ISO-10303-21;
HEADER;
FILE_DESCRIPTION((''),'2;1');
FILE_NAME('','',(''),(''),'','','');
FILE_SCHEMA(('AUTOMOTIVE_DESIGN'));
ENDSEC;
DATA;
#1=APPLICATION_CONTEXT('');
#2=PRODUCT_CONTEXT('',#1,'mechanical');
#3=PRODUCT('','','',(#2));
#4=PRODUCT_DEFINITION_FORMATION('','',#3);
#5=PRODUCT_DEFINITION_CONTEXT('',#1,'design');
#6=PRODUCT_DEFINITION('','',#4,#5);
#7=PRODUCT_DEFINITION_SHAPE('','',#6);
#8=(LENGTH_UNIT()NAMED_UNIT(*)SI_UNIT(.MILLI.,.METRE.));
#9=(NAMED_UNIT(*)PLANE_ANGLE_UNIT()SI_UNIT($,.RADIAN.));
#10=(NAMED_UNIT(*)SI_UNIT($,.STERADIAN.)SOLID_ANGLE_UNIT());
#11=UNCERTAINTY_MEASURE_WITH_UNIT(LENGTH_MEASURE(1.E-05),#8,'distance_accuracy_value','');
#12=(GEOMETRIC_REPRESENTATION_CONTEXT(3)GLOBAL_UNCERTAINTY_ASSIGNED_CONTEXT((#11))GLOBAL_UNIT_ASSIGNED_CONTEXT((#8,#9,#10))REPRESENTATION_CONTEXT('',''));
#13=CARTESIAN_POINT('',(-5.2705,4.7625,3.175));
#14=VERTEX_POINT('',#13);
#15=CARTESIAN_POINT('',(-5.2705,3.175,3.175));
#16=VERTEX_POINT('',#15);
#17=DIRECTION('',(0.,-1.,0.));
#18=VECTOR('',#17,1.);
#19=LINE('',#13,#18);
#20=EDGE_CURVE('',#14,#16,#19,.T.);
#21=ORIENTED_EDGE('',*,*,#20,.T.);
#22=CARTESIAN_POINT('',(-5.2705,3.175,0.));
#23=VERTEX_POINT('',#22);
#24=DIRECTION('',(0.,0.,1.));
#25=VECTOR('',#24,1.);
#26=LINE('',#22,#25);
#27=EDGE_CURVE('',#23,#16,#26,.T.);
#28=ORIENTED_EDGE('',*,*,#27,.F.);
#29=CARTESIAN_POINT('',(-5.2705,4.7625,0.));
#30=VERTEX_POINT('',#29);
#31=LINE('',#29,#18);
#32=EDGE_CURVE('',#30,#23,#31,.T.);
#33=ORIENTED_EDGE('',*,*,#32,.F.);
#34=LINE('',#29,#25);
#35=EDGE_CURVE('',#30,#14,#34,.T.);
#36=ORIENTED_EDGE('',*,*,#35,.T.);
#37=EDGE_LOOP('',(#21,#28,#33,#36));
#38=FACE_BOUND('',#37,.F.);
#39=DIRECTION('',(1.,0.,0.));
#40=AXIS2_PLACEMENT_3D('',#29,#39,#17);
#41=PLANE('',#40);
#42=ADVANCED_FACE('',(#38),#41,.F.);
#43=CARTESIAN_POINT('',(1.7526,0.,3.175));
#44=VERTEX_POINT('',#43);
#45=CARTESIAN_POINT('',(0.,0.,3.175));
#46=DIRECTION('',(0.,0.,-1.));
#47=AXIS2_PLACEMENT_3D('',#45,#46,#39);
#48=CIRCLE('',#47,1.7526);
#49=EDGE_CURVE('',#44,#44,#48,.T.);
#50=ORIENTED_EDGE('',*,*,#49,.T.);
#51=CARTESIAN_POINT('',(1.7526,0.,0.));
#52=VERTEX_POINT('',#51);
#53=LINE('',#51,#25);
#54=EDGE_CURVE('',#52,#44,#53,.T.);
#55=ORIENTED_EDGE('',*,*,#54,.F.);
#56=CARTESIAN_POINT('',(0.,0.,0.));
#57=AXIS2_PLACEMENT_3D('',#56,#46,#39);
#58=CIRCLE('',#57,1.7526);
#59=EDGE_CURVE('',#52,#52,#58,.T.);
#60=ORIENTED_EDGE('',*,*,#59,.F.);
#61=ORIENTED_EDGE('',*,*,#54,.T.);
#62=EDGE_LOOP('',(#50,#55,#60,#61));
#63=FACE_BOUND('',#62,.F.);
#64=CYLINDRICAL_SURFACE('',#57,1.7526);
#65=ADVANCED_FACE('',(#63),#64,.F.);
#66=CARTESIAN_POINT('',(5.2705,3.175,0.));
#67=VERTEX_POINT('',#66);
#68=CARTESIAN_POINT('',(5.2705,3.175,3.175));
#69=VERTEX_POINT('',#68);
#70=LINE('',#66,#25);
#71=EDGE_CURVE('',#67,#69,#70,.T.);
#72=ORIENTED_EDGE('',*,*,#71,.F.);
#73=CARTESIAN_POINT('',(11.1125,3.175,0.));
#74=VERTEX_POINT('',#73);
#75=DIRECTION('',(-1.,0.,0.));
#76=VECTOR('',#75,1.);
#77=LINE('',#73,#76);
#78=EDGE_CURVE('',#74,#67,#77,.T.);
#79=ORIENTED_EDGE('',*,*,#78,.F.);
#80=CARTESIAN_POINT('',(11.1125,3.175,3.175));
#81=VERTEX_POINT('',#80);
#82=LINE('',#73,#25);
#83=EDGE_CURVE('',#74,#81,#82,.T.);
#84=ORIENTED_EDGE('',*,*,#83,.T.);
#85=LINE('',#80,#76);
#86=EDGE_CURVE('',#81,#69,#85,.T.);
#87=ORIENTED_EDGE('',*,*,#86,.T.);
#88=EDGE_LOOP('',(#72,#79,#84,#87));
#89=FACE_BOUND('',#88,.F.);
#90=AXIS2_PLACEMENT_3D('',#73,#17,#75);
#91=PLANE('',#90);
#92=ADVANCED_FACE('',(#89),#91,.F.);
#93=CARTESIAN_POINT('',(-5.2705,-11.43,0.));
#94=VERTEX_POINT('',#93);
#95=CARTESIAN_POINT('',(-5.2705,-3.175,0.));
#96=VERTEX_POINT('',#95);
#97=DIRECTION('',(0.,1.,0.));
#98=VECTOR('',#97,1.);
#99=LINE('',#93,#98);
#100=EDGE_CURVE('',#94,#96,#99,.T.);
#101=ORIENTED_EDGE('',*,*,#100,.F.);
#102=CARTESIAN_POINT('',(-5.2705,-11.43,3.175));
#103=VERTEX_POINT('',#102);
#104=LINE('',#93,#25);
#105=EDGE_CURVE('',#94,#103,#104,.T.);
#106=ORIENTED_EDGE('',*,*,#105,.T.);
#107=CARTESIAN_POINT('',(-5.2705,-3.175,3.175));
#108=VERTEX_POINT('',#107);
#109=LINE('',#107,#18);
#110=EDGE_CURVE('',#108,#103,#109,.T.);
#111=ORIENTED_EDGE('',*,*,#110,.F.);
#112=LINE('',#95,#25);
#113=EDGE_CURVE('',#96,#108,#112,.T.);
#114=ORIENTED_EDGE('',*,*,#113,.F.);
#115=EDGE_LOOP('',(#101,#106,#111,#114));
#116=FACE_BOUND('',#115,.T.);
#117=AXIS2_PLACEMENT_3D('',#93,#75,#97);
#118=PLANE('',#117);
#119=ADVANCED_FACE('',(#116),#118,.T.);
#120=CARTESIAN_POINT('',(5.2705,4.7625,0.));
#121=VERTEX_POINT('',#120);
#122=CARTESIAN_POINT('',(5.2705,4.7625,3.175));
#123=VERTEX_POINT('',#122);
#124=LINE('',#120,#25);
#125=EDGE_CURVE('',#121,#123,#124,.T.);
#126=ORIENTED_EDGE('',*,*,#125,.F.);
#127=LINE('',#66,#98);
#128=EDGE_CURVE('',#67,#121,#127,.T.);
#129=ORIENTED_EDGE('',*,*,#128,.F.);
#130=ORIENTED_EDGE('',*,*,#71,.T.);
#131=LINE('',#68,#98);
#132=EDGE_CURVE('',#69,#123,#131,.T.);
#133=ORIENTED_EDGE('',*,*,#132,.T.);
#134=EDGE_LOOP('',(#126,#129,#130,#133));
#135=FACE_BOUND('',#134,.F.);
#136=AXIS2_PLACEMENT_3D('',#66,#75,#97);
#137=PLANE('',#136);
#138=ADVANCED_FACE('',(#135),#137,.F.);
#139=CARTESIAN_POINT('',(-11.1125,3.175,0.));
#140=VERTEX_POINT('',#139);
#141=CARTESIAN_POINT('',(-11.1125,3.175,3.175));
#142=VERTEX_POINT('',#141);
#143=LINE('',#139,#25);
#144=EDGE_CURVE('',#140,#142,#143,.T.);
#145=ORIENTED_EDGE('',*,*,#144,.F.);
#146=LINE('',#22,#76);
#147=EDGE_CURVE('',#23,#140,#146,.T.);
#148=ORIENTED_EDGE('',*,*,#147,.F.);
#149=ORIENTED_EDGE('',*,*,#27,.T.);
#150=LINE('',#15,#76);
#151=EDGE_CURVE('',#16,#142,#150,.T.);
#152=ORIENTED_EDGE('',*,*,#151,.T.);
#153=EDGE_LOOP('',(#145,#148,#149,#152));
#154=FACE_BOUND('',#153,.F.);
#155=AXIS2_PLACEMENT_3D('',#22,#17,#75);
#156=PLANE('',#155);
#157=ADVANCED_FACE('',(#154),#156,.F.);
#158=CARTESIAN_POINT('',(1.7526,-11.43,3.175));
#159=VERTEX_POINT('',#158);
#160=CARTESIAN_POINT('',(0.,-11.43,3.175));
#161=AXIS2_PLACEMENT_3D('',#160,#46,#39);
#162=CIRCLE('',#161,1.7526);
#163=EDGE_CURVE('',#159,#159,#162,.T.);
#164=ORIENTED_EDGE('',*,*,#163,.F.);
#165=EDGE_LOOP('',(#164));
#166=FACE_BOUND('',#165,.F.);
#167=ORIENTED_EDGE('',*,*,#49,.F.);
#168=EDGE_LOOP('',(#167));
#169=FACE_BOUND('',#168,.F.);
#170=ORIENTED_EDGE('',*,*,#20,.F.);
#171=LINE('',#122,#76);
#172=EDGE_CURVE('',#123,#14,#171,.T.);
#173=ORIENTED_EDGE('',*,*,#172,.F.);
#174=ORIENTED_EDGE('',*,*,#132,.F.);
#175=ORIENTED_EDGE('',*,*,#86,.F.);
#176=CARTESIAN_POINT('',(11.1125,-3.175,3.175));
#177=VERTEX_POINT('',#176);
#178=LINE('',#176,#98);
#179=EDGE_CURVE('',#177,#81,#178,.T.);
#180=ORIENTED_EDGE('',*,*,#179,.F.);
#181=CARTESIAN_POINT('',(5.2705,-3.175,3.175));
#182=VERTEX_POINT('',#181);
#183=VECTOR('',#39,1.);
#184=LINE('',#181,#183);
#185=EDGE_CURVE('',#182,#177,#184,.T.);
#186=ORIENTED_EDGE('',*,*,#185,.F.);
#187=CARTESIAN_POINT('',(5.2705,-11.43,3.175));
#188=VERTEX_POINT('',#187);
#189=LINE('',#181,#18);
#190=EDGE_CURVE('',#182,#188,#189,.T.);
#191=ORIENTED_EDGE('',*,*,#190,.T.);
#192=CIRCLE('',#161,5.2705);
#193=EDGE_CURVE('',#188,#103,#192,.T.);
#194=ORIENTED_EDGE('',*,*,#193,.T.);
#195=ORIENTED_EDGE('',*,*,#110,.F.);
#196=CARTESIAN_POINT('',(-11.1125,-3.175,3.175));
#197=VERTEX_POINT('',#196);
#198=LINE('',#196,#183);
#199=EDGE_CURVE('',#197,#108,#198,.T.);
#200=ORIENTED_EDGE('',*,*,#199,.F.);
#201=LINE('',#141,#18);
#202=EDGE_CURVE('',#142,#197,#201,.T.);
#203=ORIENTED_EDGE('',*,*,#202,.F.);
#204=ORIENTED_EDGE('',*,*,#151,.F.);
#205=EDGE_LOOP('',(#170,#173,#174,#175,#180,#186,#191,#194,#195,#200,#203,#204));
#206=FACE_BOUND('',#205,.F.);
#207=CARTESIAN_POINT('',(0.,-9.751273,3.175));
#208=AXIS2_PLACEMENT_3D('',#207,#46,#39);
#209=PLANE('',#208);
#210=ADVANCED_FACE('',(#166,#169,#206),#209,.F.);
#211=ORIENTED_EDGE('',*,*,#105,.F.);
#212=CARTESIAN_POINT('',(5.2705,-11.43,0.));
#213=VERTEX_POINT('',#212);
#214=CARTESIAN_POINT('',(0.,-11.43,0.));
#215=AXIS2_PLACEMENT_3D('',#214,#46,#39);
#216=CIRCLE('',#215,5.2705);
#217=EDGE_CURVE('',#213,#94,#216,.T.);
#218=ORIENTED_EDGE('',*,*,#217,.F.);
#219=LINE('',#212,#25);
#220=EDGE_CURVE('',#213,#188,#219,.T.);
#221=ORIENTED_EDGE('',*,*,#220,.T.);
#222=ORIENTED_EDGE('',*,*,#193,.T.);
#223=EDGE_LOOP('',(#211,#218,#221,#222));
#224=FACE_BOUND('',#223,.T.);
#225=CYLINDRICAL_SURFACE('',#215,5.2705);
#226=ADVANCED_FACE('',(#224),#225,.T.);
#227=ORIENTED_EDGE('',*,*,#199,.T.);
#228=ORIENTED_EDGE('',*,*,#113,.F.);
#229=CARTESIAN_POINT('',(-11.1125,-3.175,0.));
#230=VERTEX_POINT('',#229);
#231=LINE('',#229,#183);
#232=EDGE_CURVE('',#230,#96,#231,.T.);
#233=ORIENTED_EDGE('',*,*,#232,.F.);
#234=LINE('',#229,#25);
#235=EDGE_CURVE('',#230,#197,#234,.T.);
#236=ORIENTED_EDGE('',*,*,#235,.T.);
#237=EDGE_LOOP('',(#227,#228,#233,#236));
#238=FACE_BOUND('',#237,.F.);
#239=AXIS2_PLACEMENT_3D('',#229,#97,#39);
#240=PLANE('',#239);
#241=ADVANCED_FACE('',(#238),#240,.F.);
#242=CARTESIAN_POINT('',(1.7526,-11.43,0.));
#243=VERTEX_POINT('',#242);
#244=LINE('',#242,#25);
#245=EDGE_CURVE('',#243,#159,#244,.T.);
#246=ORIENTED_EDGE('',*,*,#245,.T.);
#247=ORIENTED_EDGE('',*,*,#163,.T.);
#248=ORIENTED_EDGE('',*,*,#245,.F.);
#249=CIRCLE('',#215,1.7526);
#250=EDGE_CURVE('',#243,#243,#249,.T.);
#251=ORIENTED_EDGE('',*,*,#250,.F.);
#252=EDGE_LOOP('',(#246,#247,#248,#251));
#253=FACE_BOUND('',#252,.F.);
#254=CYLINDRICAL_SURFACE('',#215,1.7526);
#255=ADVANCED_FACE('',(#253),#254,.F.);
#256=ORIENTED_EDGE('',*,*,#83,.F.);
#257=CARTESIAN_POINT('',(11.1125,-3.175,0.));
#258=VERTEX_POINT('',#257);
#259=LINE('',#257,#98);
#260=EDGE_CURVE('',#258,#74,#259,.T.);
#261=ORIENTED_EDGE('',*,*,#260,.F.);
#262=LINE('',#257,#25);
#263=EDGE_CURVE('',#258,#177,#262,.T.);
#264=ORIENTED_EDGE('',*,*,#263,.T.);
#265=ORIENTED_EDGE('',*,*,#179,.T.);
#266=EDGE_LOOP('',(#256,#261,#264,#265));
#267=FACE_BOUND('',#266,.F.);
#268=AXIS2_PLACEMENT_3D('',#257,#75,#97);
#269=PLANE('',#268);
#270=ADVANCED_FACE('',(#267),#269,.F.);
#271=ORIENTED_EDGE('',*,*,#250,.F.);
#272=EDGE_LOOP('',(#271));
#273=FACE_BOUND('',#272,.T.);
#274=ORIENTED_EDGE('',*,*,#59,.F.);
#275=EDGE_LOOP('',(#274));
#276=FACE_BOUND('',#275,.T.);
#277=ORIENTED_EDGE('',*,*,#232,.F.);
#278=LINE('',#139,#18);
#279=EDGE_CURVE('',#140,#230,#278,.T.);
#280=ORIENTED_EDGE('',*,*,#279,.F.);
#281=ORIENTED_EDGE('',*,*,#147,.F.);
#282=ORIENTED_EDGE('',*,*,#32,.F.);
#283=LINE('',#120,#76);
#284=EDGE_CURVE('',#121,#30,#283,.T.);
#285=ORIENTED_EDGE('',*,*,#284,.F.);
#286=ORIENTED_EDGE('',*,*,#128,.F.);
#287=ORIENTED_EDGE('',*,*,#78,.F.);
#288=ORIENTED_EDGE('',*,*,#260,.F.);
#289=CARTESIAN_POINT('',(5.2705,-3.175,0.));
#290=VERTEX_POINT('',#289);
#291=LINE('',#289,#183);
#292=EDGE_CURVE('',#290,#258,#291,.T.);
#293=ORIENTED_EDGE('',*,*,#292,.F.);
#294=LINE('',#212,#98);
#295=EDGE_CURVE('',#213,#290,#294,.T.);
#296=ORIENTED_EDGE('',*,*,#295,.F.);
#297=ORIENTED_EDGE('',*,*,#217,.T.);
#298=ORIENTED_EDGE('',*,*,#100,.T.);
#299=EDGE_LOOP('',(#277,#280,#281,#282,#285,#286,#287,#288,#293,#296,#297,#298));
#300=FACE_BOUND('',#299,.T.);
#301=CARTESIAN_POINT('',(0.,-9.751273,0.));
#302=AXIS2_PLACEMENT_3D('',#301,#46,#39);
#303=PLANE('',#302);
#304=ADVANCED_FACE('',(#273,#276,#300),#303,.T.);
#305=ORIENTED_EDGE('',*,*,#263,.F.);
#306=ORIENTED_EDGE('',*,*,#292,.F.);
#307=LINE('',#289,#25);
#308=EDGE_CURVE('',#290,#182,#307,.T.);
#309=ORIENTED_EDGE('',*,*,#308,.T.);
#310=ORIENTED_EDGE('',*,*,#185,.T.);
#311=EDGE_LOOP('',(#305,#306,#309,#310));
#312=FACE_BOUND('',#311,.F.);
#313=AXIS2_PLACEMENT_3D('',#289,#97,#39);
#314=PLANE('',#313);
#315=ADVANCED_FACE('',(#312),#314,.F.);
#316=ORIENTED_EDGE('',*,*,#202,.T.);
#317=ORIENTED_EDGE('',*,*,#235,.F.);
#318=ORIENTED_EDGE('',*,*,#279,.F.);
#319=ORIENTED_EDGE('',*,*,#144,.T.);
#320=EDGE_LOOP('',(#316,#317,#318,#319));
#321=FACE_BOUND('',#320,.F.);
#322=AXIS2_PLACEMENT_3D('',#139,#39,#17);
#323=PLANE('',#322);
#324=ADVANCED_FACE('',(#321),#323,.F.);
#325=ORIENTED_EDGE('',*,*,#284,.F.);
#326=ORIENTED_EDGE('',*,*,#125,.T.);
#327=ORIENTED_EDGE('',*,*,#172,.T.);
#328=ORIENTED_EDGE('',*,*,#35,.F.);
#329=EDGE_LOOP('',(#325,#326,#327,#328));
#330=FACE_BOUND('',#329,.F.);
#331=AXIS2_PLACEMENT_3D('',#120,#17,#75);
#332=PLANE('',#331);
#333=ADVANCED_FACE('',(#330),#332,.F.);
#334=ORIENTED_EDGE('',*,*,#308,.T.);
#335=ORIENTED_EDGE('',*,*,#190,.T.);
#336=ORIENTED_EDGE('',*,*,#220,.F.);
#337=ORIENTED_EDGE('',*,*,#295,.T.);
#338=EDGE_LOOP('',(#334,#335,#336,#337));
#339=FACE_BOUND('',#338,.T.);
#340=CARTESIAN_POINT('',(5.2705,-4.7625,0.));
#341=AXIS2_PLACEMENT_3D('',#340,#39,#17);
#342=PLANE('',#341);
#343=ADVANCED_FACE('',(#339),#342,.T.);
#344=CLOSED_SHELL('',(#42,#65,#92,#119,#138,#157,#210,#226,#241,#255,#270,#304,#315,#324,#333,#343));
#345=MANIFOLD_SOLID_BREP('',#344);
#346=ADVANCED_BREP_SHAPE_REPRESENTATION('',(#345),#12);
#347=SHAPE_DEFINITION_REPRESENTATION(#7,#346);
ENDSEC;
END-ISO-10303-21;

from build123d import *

# Parameters (mm, degrees)
F1_DEPTH = 3.175
F2_R     = 1.7526
F3_DEPTH = 3.175
F4_R     = 1.7526
F5_DEPTH = 25.4


with BuildPart() as f1:
    # F0 (on Top) → F1 (new body)
    with BuildSketch(Plane.XY):
        Polygon((-5.2705, 3.175), (-11.1125, 3.175), (-11.1125, -3.175), (-5.2705, -3.175), (-5.2705, -4.7625), (5.2705, -4.7625), (5.2705, -3.175), (11.1125, -3.175), (11.1125, 3.175), (5.2705, 3.175), (5.2705, 4.7625), (-5.2705, 4.7625), align=None)
    extrude(amount=F1_DEPTH)

    # F2 (on face) → F3 (join, through all)
    with BuildSketch(Plane(origin=(0, 0, 0), x_dir=(1, 0, 0), z_dir=(0, 0, -1))):
        with BuildLine():
            Line((5.2705, 4.7625), (5.2705, 11.43))
            ThreePointArc((5.2705, 11.43), (0, 16.7005), (-5.2705, 11.43))
            Line((-5.2705, 11.43), (-5.2705, 4.7625))
            Line((-5.2705, 4.7625), (5.2705, 4.7625))
        make_face()
        with Locations((0, 11.43)):
            Circle(F2_R, mode=Mode.SUBTRACT)
    extrude(amount=-F3_DEPTH)

    # F4 (on face) → F5 (cut)
    with BuildSketch(Plane(origin=(0, 0, 0), x_dir=(1, 0, 0), z_dir=(0, 0, -1))):
        Circle(F4_R)
    extrude(amount=-F5_DEPTH, mode=Mode.SUBTRACT)


solid = f1.part
